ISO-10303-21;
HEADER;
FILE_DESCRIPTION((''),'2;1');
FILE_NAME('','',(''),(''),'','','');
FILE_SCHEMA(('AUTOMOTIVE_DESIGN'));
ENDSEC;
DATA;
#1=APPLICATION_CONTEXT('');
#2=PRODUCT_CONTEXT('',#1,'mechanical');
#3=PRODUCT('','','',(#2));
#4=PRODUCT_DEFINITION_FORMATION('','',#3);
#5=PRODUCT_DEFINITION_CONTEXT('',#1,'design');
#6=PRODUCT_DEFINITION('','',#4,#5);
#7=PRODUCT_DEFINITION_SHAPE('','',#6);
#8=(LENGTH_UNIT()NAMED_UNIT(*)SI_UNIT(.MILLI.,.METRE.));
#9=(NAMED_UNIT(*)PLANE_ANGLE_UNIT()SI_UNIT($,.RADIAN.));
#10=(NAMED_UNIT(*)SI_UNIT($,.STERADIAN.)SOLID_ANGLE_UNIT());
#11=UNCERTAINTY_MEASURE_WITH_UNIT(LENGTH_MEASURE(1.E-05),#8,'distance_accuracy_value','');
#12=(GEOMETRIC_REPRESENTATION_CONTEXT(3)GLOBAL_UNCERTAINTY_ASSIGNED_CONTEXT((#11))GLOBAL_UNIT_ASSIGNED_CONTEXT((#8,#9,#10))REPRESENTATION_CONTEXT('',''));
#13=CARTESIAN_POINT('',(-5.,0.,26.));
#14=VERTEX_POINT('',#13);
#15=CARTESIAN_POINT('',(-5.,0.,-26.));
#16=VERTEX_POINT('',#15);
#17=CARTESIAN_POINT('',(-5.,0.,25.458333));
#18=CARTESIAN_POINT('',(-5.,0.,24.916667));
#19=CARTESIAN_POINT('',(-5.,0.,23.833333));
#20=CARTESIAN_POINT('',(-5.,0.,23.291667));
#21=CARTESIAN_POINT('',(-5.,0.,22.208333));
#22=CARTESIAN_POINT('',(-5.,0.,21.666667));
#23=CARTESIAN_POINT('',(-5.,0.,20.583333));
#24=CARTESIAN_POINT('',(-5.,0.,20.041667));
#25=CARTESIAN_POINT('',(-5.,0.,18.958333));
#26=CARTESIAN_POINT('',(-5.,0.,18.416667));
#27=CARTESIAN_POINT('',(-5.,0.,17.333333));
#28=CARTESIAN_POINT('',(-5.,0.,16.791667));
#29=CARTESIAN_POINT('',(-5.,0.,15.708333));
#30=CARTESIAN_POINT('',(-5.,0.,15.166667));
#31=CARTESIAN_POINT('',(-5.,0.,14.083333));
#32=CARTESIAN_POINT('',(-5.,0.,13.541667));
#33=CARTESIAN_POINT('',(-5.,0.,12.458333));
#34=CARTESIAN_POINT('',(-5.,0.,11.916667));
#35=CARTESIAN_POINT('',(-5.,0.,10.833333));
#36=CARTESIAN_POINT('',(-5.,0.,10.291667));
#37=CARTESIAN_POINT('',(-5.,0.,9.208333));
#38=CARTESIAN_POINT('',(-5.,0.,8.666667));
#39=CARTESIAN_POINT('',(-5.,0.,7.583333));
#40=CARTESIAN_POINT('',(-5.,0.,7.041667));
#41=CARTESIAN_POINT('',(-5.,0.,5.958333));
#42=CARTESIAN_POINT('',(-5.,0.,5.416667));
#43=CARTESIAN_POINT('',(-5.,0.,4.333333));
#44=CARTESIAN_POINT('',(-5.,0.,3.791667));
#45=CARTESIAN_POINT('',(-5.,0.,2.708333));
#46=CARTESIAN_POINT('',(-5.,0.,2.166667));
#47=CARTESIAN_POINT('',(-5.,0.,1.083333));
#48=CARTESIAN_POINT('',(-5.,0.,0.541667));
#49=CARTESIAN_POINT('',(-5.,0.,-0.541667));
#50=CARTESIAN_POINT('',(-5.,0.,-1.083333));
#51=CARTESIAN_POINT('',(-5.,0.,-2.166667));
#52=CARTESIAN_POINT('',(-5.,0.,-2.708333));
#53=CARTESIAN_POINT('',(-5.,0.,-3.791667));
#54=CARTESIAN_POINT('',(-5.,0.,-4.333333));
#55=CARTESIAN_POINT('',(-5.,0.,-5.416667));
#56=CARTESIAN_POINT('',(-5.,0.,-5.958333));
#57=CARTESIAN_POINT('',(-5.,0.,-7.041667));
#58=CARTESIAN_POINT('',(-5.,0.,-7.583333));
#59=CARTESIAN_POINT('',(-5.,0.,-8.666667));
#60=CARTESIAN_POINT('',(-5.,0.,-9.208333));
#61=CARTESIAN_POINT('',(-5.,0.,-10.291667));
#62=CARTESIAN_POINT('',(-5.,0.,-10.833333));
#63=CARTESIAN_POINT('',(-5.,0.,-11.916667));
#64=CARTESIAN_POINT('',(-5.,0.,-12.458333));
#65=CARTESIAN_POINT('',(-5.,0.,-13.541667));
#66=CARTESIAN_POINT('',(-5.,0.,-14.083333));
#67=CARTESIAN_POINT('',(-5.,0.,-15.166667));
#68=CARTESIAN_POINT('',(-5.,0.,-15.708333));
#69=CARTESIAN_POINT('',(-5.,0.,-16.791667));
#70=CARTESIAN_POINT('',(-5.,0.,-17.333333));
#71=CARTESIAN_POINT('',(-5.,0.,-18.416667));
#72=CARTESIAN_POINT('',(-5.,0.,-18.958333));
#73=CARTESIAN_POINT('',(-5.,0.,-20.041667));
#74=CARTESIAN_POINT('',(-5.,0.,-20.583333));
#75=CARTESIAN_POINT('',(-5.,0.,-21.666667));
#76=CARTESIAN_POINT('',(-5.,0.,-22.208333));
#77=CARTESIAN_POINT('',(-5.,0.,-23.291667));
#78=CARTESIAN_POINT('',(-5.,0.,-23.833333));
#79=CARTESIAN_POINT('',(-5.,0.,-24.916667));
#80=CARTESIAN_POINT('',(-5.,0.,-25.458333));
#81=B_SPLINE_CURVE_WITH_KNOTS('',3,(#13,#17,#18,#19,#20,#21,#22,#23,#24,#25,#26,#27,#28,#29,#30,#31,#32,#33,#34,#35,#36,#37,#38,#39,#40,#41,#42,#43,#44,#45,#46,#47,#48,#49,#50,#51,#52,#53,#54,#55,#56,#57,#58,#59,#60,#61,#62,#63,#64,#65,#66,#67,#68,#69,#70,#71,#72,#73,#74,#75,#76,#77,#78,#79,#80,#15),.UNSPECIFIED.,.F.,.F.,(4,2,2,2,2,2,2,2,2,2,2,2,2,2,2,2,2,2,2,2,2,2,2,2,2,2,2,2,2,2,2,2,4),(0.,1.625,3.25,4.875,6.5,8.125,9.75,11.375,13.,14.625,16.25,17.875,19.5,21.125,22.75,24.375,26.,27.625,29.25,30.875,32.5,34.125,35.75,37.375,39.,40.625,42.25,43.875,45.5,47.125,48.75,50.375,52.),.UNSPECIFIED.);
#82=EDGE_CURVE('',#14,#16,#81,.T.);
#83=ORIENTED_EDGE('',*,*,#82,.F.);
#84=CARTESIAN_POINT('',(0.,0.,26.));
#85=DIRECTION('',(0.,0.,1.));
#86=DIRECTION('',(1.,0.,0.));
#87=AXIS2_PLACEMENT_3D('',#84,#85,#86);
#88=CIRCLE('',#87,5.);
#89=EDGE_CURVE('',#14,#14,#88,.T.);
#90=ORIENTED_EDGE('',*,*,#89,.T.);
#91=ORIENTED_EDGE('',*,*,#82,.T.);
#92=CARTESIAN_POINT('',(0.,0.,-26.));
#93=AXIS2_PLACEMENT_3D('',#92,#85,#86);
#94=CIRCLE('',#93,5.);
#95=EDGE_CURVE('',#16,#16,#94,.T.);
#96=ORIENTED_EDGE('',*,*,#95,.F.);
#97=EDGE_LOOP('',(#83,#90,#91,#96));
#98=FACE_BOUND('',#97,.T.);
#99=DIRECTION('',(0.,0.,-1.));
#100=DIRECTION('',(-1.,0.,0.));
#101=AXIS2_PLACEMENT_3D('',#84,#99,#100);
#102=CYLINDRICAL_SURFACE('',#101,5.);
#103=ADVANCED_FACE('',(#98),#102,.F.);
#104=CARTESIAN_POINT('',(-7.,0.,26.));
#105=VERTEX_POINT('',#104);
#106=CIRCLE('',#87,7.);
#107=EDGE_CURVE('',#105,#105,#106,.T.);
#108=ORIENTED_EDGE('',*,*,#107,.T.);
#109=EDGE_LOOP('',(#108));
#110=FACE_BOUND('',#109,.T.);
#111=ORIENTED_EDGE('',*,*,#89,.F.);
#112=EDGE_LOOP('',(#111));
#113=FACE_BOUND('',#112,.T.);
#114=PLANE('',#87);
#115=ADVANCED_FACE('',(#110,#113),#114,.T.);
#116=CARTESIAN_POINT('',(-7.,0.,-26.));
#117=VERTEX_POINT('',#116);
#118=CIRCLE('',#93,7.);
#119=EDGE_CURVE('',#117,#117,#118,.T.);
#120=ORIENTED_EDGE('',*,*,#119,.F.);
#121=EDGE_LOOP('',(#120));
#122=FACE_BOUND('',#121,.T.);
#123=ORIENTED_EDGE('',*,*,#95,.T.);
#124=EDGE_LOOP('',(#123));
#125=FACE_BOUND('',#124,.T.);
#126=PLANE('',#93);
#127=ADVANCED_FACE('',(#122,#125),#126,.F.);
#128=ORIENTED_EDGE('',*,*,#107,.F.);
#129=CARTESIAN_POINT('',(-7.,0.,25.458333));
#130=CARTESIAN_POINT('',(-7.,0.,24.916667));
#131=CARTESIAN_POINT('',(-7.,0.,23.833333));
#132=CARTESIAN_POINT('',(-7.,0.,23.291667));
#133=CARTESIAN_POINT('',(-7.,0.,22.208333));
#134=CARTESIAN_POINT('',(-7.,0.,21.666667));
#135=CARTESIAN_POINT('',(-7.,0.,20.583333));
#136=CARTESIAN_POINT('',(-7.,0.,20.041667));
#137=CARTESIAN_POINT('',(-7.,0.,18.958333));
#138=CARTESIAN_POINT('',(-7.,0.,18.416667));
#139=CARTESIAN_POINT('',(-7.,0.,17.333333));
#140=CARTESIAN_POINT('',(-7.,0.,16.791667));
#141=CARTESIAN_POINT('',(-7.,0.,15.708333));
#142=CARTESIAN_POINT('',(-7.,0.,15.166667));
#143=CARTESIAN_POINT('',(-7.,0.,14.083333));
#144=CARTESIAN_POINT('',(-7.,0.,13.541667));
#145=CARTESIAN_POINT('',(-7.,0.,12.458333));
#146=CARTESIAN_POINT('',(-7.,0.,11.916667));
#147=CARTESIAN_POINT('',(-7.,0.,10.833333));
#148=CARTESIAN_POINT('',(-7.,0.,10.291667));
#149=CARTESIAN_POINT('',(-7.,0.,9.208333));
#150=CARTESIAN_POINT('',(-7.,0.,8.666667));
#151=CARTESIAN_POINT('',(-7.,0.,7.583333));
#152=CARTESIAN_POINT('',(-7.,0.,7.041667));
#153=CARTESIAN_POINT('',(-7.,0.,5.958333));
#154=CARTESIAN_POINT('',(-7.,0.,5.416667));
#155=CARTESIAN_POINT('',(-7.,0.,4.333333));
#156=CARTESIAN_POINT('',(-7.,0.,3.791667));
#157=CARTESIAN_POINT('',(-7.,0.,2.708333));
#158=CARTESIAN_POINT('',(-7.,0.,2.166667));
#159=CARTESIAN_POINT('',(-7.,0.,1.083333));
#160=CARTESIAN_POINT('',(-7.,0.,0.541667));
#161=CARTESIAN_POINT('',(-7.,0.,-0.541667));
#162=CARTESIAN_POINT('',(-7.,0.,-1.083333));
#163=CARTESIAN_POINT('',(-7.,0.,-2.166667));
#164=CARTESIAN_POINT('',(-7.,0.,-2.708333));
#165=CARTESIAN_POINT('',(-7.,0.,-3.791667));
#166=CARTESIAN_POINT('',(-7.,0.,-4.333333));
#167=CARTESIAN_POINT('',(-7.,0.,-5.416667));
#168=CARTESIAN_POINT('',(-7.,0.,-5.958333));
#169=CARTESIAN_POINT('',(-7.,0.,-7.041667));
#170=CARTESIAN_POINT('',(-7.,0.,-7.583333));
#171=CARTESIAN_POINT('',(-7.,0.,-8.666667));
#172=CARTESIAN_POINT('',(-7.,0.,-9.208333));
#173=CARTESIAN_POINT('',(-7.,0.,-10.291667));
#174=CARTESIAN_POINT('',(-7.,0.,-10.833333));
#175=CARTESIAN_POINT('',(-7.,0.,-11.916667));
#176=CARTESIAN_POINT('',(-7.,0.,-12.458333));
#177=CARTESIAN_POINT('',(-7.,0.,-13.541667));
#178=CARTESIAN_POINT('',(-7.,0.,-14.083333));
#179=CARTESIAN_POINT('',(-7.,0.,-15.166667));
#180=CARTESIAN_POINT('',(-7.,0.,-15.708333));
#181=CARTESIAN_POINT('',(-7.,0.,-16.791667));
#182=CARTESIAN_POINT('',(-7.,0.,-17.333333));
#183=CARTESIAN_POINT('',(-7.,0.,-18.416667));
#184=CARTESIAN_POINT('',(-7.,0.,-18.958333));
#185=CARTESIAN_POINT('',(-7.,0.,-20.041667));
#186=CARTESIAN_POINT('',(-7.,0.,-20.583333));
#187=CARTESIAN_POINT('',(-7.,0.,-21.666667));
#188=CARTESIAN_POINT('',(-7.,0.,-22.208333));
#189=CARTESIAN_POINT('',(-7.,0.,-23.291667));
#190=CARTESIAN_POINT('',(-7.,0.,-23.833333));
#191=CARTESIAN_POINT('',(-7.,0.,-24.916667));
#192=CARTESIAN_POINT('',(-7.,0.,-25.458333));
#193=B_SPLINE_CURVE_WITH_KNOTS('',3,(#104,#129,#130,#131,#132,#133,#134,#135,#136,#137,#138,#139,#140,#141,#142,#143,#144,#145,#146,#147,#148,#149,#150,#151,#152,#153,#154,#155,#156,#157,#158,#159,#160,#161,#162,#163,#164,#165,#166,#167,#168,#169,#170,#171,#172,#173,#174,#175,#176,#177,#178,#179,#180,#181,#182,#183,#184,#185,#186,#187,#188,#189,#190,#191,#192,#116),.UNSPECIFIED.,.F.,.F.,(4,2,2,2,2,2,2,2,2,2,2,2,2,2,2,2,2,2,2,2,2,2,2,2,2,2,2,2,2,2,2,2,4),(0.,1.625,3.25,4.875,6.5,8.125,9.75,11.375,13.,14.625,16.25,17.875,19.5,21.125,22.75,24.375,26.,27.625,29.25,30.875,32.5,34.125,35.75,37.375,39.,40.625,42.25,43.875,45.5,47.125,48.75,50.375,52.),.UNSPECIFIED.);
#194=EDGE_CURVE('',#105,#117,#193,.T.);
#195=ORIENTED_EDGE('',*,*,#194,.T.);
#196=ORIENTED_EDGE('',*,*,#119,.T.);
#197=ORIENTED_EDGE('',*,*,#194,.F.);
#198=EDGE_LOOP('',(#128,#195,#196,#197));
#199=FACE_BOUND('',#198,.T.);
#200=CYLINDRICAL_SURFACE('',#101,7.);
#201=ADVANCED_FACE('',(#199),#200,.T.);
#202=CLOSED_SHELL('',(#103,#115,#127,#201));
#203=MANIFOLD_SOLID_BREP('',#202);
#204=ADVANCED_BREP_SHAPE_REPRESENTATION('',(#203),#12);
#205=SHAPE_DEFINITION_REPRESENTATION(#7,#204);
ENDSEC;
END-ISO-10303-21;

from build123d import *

# Parameters (mm, degrees)
SKETCH_1_R      = 7
SKETCH_1_R_2    = 5
EXTRUDE_1_DEPTH = 26


with BuildPart() as part:
    # 草图1 → 凸台-拉伸1 (new, symmetric)
    with BuildSketch(Plane.XY):
        with Locations(Location((0, 0, 0), (0, 0, 180))):
            Circle(SKETCH_1_R)
        with Locations(Location((0, 0, 0), (0, 0, 180))):
            Circle(SKETCH_1_R_2, mode=Mode.SUBTRACT)
    extrude(amount=EXTRUDE_1_DEPTH, both=True)


solid = part.part
